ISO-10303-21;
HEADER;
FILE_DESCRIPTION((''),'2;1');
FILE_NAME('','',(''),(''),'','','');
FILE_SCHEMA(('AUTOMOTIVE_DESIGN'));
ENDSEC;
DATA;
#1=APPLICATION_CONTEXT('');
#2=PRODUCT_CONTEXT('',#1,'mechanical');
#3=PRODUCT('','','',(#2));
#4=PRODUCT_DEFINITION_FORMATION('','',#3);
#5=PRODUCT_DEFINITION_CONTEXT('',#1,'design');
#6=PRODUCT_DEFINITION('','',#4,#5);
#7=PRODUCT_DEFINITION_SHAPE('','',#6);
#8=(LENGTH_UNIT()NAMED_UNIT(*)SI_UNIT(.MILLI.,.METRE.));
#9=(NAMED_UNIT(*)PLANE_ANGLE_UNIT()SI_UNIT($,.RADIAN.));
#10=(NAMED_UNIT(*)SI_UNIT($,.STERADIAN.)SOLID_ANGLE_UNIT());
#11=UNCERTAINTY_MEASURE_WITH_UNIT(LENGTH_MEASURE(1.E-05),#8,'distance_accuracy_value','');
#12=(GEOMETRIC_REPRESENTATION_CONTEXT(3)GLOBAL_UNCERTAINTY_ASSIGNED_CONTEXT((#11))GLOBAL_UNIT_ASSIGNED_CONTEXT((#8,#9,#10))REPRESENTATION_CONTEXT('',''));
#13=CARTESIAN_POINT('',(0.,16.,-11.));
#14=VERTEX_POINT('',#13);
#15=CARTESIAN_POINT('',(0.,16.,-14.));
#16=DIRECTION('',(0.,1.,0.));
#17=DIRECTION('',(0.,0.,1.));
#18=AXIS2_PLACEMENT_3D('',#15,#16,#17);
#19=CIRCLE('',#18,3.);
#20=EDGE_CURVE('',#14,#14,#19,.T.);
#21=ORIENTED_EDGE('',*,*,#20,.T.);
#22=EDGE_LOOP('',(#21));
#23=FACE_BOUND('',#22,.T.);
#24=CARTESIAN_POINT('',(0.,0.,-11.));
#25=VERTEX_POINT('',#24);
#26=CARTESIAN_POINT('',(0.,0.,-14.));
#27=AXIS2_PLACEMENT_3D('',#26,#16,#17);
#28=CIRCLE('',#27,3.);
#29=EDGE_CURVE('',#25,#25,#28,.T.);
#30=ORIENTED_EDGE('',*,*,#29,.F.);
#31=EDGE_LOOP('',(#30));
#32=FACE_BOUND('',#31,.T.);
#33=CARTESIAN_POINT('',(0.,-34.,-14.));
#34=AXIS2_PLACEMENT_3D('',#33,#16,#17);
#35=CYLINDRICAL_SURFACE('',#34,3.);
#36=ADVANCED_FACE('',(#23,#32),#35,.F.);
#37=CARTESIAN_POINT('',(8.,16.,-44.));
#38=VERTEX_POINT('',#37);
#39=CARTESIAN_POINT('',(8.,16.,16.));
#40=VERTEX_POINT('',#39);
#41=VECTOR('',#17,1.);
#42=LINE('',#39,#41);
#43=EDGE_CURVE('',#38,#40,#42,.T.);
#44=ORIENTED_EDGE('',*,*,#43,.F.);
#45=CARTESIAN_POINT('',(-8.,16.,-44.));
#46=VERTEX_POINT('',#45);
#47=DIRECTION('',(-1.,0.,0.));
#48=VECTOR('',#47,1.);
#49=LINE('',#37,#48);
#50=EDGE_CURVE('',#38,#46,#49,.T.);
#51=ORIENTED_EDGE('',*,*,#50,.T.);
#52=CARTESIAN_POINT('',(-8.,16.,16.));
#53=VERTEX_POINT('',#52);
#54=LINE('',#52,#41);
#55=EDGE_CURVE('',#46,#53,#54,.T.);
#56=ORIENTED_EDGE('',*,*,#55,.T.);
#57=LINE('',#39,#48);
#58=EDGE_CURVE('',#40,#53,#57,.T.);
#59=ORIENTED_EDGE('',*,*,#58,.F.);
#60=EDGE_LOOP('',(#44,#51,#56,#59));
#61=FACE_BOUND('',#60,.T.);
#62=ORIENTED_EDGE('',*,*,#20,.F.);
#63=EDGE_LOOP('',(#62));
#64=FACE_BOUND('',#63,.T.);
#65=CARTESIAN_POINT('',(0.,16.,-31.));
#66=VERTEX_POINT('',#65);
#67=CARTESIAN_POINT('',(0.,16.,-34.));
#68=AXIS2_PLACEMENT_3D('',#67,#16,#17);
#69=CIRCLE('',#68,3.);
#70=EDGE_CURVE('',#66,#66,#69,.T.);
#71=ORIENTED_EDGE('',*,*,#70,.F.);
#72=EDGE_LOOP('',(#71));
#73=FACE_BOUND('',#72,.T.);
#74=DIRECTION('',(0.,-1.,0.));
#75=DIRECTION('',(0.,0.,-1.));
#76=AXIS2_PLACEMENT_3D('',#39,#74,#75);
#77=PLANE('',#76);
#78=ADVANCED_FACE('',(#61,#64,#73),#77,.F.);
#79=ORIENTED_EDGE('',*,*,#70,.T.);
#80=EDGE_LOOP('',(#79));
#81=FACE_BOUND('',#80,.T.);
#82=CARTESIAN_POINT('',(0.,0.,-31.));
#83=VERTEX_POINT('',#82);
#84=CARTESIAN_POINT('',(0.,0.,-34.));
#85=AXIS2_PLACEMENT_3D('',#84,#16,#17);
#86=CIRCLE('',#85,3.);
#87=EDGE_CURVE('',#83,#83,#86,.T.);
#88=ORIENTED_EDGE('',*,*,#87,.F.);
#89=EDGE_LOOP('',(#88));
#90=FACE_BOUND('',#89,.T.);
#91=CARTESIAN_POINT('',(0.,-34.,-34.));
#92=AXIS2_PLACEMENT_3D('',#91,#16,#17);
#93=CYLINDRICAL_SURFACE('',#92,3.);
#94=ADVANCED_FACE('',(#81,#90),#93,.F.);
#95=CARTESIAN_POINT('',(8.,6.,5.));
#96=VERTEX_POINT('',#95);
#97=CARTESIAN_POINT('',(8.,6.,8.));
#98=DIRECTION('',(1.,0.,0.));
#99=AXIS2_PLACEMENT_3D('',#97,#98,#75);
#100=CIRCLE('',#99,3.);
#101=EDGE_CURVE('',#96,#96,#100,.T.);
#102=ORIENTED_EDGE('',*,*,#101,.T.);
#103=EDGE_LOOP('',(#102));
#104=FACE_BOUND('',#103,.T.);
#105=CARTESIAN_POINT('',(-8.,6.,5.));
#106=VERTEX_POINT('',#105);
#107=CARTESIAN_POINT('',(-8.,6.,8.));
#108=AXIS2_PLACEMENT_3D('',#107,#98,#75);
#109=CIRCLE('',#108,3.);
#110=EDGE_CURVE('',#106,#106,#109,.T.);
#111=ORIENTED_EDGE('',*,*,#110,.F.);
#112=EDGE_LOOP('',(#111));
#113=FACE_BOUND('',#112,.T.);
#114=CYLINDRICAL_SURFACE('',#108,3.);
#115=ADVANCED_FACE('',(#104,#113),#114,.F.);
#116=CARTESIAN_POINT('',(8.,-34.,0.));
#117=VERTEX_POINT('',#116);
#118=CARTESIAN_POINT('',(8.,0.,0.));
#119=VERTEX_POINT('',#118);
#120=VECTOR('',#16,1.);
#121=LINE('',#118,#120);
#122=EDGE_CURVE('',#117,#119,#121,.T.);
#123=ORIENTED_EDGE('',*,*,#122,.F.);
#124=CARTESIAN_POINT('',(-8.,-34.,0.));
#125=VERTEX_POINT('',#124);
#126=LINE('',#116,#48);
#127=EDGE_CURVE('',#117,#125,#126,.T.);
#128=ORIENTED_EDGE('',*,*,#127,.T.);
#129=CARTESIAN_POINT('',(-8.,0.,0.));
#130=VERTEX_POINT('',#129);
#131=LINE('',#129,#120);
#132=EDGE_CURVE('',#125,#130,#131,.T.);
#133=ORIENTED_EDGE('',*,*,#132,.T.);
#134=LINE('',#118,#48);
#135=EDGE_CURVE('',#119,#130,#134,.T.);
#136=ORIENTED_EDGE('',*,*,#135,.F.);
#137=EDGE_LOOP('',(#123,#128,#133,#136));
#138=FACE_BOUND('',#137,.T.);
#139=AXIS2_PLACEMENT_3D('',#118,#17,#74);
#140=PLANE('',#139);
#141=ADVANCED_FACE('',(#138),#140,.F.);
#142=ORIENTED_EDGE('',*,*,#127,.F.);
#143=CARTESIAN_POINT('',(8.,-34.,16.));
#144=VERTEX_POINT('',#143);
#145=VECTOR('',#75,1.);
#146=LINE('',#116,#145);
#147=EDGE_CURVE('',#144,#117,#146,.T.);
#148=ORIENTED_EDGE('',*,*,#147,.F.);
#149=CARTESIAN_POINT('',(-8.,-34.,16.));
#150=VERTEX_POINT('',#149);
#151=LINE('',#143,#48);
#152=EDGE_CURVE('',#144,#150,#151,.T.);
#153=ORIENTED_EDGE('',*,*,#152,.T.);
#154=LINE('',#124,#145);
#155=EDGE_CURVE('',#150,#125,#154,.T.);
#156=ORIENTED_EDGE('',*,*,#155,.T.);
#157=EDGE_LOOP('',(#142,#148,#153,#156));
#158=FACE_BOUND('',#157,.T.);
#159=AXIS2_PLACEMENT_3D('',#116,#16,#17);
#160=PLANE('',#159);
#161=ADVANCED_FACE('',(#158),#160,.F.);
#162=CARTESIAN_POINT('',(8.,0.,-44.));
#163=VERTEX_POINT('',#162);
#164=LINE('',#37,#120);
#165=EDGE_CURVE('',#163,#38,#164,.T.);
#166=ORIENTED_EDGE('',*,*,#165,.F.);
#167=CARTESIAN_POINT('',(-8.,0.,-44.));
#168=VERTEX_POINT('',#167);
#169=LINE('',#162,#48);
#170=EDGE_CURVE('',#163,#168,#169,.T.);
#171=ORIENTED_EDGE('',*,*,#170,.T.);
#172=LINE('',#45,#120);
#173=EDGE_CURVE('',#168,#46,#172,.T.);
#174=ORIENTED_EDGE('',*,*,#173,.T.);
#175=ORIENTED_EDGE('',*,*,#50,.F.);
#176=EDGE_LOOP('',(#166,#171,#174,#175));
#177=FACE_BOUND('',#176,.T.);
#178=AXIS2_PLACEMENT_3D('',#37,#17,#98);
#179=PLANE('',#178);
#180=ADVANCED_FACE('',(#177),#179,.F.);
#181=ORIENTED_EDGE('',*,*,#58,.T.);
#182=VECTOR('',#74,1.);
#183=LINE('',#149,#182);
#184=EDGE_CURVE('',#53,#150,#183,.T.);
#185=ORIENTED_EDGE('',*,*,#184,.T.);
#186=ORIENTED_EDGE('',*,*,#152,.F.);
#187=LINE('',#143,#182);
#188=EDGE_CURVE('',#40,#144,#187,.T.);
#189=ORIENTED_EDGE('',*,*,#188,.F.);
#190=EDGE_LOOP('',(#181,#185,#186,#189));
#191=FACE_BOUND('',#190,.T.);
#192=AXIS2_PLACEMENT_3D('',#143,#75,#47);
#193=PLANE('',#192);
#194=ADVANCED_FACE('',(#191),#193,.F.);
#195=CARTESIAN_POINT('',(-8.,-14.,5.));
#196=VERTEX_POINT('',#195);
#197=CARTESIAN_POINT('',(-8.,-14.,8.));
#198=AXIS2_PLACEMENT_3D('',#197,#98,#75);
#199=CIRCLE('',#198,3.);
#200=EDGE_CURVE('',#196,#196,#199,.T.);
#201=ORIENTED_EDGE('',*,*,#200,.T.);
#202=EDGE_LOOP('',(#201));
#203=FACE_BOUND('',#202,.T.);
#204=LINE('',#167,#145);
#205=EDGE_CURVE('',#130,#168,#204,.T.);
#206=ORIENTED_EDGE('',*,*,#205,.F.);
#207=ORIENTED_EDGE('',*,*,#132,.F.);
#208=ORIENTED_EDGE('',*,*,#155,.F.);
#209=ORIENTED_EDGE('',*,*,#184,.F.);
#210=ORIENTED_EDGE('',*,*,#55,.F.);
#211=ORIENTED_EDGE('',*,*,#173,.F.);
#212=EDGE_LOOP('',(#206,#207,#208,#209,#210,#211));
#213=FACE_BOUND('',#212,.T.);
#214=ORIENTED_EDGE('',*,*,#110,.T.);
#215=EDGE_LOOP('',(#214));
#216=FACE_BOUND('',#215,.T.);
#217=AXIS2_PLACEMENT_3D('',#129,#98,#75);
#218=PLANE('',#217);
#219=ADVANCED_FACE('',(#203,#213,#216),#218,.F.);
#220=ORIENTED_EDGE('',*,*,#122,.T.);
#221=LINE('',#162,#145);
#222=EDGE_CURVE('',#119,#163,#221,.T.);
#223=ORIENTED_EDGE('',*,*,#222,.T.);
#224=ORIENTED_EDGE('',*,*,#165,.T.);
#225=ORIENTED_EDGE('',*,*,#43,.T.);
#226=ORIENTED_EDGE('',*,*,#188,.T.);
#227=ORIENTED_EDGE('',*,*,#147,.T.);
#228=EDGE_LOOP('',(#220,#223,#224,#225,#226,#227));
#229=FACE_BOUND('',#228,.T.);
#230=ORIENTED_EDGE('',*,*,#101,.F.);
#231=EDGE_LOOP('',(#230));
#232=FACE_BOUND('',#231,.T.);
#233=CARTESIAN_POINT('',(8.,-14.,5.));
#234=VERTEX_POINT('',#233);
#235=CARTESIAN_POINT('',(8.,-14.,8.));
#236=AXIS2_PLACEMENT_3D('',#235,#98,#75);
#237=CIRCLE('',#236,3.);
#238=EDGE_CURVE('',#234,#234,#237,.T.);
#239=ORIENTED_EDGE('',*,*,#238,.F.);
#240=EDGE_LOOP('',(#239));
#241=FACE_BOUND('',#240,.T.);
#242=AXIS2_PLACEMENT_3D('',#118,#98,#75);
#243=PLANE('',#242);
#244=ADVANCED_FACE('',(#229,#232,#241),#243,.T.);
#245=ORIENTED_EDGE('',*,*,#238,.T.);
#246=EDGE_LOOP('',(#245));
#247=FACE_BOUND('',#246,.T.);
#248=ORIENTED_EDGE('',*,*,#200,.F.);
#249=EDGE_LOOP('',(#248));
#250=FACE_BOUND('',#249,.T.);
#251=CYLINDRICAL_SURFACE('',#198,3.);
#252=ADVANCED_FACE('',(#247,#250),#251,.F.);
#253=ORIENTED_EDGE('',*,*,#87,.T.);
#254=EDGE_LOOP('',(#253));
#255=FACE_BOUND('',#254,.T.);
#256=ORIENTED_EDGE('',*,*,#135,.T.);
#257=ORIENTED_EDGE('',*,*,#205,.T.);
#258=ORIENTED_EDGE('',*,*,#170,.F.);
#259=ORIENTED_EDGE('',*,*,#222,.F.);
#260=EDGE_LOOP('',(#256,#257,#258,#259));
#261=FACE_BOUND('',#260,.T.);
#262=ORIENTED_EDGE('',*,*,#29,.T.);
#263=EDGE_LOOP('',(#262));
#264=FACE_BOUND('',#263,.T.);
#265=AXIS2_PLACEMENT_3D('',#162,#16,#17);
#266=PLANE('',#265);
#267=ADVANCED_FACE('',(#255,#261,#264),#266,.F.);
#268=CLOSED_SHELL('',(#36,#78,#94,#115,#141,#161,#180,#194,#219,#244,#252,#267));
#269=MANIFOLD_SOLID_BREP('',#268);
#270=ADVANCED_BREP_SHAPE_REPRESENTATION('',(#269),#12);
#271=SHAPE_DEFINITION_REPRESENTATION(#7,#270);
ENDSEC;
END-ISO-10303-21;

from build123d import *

# Parameters (mm, degrees)
BOSS_EXTRUDE1_DEPTH = 8
SKETCH2_R           = 3
CUT_EXTRUDE1_DEPTH  = 58.861904566
SKETCH3_R           = 3
CUT_EXTRUDE2_DEPTH  = 68.082039325


with BuildPart() as part:
    # Sketch1 → Boss-Extrude1 (new, symmetric)
    with BuildSketch(Plane(origin=(0, 0, 0), x_dir=(0, 0, -1), z_dir=(1, 0, 0))):
        Polygon((0, 0), (0, -34), (-16, -34), (-16, 16), (44, 16), (44, 0), align=None)
    extrude(amount=BOSS_EXTRUDE1_DEPTH, both=True)

    # Sketch2 → Cut-Extrude1 (cut, through all)
    with BuildSketch(Plane(origin=(8, 0, 0), x_dir=(0, 0, -1), z_dir=(1, 0, 0))):
        with Locations((-8, 6)):
            Circle(SKETCH2_R)
        with Locations((-8, -14)):
            Circle(SKETCH2_R)
    extrude(amount=-CUT_EXTRUDE1_DEPTH, mode=Mode.SUBTRACT)

    # Sketch3 → Cut-Extrude2 (cut, through all)
    with BuildSketch(Plane(origin=(0, 16, 0), x_dir=(1, 0, 0), z_dir=(0, 1, 0))):
        with Locations(Location((0, 34, 0), (0, 0, 270))):
            Circle(SKETCH3_R)
        with Locations(Location((0, 14, 0), (0, 0, 270))):
            Circle(SKETCH3_R)
    extrude(amount=-CUT_EXTRUDE2_DEPTH, mode=Mode.SUBTRACT)


solid = part.part
